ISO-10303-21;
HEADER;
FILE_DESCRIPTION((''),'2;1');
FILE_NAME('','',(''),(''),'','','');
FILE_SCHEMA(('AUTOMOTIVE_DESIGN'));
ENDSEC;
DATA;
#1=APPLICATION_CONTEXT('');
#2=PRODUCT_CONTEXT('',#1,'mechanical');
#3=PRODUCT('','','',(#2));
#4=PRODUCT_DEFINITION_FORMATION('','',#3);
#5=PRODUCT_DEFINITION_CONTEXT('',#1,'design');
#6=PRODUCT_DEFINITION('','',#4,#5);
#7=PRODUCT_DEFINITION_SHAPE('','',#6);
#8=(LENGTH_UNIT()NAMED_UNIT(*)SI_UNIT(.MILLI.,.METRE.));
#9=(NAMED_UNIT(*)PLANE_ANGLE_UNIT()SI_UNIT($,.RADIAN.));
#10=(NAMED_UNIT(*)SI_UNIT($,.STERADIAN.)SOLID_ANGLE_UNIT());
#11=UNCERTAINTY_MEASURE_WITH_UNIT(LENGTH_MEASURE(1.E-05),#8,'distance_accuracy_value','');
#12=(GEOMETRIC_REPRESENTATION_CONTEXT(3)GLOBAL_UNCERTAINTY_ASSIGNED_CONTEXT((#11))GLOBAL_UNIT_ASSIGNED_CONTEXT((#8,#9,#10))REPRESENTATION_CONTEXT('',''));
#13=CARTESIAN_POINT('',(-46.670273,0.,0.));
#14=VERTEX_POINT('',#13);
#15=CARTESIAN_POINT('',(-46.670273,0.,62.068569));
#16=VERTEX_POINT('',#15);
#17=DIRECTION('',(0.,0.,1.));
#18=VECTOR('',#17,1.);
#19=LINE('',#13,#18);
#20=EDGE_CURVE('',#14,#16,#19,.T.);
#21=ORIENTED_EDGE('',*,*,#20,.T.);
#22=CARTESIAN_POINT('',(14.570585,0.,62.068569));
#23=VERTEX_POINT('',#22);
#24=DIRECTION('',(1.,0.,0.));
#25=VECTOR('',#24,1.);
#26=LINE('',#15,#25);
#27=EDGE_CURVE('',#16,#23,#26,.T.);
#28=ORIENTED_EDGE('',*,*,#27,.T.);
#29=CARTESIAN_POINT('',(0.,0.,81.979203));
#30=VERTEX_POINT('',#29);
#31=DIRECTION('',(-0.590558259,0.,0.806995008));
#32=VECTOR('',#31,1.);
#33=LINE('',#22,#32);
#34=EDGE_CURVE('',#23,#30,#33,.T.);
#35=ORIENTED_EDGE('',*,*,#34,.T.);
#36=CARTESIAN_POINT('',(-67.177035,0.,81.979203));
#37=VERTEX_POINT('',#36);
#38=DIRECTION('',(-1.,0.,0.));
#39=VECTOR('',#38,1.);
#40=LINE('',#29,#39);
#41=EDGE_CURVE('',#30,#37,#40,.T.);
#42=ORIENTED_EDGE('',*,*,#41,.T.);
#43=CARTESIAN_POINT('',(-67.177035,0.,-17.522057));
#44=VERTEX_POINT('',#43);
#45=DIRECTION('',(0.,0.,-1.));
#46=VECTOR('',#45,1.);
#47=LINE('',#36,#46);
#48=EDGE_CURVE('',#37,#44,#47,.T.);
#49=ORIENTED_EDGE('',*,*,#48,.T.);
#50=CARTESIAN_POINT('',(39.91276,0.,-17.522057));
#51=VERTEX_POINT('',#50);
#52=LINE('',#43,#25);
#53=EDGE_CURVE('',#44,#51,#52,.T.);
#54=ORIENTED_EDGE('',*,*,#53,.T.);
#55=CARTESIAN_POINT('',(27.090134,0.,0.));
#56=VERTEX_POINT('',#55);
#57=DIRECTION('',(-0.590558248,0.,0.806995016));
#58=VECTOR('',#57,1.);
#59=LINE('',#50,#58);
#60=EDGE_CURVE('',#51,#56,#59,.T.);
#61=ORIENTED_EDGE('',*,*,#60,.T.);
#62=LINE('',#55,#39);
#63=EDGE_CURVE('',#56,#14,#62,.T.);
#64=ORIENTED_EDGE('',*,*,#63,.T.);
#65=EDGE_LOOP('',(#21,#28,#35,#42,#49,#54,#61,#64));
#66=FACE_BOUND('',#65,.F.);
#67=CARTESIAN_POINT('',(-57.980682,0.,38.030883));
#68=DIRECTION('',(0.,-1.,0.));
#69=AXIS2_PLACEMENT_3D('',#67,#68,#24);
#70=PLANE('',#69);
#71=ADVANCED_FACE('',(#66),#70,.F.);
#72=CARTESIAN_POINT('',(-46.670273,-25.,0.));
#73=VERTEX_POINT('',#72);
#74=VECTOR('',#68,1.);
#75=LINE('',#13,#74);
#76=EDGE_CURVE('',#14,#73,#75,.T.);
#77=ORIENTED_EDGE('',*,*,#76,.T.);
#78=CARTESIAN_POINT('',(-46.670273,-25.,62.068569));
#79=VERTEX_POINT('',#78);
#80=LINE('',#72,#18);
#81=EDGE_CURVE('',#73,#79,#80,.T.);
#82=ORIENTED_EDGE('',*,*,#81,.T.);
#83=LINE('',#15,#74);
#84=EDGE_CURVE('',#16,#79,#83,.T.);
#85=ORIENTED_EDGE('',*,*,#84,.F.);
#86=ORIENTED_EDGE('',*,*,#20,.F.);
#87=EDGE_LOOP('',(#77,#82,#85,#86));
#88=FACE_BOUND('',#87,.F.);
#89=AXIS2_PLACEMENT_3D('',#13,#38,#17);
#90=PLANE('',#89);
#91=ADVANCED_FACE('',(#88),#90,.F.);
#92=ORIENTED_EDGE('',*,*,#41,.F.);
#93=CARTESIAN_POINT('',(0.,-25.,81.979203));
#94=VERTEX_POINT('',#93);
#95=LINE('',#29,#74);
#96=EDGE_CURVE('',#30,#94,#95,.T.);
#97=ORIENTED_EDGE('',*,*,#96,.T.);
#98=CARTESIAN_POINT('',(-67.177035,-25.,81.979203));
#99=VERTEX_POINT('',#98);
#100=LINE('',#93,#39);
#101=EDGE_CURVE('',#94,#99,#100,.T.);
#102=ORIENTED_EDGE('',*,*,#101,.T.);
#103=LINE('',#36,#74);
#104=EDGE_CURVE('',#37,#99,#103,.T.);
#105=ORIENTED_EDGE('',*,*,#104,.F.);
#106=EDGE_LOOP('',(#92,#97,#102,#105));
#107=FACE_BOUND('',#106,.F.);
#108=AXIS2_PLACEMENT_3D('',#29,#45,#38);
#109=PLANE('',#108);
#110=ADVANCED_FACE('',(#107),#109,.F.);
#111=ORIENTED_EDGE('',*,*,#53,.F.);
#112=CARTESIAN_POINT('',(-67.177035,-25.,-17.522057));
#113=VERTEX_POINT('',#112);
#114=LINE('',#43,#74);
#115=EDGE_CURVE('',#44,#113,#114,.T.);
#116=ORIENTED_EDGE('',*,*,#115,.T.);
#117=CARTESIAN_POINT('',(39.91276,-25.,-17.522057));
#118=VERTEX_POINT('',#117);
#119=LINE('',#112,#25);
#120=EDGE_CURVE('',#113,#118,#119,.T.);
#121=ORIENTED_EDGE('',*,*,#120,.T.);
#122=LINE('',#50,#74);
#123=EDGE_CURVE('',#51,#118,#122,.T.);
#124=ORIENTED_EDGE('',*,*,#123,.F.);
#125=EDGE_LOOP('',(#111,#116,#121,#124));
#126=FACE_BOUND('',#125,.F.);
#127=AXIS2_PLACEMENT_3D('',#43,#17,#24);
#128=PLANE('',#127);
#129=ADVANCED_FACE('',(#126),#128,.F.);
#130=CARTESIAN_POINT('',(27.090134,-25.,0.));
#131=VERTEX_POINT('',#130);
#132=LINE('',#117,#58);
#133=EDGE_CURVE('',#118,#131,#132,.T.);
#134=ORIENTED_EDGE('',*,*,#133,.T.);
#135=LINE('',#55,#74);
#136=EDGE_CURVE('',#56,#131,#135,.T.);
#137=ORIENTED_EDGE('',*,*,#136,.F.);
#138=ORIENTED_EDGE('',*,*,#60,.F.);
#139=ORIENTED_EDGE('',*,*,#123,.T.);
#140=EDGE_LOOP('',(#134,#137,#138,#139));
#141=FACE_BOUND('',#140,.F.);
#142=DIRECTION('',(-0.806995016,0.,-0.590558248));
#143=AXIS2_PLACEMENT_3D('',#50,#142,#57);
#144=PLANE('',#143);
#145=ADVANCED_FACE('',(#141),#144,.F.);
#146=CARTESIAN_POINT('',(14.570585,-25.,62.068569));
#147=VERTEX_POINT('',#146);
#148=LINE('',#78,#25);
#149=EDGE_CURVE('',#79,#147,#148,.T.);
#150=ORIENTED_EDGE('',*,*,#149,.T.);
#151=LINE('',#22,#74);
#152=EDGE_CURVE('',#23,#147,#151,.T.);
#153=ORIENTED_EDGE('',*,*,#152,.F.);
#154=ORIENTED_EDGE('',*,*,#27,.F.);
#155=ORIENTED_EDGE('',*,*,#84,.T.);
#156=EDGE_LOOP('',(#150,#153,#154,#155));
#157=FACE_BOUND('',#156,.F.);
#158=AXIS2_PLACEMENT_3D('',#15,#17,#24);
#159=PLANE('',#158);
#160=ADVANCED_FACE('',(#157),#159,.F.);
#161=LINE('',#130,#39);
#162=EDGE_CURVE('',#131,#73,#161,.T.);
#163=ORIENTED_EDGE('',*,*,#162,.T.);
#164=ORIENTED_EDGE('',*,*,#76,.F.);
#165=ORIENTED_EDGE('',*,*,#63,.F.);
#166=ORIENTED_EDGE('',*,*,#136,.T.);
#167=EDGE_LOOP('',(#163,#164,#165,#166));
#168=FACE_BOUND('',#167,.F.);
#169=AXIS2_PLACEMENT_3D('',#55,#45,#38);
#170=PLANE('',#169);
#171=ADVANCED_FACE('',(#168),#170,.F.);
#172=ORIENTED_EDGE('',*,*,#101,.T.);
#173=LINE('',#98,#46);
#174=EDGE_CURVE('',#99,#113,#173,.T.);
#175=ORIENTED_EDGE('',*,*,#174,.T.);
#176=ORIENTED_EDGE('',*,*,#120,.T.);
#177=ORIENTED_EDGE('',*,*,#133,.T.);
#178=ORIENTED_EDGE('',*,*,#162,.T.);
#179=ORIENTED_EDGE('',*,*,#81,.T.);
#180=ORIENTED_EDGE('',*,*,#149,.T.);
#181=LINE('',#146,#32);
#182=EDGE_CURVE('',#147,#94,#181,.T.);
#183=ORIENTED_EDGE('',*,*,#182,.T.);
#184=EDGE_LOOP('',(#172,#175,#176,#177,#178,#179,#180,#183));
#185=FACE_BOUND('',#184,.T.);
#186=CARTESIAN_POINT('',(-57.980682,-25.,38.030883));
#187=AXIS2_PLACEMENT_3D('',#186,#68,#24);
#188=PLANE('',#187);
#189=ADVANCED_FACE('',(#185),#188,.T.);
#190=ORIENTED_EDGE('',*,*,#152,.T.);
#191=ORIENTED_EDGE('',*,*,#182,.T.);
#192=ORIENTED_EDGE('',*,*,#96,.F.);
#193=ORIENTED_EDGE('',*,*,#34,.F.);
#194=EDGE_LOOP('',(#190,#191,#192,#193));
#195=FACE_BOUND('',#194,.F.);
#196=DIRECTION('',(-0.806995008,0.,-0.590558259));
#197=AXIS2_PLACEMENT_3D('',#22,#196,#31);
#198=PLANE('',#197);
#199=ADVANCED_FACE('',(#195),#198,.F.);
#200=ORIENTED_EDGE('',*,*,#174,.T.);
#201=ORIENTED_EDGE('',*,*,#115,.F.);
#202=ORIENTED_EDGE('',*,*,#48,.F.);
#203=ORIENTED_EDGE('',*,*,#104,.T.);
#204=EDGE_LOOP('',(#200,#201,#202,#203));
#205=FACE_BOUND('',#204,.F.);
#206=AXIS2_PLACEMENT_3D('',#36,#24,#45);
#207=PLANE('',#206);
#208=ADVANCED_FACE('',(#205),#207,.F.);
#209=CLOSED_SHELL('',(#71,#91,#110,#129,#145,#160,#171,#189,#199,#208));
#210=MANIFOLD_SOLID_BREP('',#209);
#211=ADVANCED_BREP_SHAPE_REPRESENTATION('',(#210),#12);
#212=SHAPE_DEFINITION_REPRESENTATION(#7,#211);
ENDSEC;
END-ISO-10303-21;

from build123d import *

# Parameters (mm, degrees)
F1_DEPTH = 25


with BuildPart() as f1:
    # F0 (on Front) → F1 (new body)
    with BuildSketch(Plane.XZ):
        Polygon((-46.670273, 62.068569), (-67.177035, 81.979203), (-67.177035, 0), (-46.670273, 0), align=None)
        Polygon((-46.670273, 81.979203), (-67.177035, 81.979203), (-46.670273, 62.068569), align=None)
        Polygon((-46.670273, 0), (-67.177035, 0), (-67.177035, -14.897), (-67.177035, -17.522057), (0, -17.522057), (39.91276, -17.522057), (27.090134, 0), align=None)
        Polygon((-46.670273, 81.979203), (-46.670273, 62.068569), (14.570585, 62.068569), (0, 81.979203), align=None)
    extrude(amount=F1_DEPTH)


solid = f1.part
